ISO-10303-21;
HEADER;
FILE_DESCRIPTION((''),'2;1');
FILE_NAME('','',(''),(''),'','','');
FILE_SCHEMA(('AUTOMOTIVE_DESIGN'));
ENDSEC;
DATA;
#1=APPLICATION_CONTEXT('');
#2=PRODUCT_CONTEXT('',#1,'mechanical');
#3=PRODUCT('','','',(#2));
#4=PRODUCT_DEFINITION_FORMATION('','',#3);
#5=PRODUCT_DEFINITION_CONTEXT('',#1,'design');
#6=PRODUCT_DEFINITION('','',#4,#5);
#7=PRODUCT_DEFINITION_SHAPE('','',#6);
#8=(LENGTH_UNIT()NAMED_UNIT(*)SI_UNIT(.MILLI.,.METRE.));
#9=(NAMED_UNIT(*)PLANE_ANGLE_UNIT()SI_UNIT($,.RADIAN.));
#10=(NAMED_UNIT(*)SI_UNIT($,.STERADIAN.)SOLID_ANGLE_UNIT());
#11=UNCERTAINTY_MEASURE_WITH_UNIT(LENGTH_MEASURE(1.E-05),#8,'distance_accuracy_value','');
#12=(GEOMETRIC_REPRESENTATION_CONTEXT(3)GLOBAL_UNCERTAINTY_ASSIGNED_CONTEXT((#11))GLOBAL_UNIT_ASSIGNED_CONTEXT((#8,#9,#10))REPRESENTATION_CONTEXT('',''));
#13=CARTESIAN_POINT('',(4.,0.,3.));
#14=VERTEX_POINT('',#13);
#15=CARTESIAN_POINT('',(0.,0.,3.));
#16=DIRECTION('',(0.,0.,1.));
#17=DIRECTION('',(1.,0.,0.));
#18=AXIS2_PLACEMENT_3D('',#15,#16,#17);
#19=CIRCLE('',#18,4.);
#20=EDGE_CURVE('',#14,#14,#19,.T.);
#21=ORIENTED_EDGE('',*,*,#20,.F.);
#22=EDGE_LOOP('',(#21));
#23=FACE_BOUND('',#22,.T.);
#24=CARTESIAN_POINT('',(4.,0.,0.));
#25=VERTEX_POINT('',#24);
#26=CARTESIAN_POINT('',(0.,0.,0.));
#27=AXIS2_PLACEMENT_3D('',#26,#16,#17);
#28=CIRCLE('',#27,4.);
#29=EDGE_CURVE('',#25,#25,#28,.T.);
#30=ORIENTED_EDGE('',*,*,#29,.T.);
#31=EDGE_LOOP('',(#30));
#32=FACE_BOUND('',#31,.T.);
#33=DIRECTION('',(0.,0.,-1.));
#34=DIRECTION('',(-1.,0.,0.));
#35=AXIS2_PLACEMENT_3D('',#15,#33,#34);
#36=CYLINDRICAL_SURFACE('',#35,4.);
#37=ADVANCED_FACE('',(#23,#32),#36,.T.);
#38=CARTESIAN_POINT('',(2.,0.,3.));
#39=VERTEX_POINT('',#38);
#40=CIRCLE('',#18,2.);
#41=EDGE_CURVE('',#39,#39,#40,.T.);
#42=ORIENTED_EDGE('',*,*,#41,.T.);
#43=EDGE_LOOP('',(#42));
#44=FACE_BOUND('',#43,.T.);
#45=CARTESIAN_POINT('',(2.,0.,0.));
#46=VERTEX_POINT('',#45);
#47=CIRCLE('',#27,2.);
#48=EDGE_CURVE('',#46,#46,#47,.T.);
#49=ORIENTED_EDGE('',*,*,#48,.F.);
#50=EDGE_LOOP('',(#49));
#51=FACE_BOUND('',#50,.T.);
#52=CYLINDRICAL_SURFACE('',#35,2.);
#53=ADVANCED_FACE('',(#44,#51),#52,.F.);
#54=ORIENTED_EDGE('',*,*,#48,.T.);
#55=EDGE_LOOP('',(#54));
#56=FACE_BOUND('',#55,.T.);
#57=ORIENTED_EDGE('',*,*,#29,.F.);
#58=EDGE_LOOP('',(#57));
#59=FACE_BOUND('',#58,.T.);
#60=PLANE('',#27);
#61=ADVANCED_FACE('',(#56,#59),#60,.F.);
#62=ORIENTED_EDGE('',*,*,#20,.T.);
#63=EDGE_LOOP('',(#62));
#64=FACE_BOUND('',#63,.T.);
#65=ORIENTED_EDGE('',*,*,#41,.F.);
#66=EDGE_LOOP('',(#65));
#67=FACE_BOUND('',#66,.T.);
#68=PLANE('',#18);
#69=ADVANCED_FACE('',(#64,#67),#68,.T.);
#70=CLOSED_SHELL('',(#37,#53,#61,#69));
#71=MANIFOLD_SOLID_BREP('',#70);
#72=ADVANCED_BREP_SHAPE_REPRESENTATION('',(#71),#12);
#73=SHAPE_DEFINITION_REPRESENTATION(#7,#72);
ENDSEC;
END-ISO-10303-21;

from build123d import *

# Parameters (mm, degrees)
ESQUISSE1_R      = 4
ESQUISSE1_R_2    = 2
EXTRUSION1_DEPTH = 3


with BuildPart() as part:
    # Esquisse1 → Extrusion1 (new body)
    with BuildSketch(Plane.XY):
        Circle(ESQUISSE1_R)
        Circle(ESQUISSE1_R_2, mode=Mode.SUBTRACT)
    extrude(amount=EXTRUSION1_DEPTH)


solid = part.part
